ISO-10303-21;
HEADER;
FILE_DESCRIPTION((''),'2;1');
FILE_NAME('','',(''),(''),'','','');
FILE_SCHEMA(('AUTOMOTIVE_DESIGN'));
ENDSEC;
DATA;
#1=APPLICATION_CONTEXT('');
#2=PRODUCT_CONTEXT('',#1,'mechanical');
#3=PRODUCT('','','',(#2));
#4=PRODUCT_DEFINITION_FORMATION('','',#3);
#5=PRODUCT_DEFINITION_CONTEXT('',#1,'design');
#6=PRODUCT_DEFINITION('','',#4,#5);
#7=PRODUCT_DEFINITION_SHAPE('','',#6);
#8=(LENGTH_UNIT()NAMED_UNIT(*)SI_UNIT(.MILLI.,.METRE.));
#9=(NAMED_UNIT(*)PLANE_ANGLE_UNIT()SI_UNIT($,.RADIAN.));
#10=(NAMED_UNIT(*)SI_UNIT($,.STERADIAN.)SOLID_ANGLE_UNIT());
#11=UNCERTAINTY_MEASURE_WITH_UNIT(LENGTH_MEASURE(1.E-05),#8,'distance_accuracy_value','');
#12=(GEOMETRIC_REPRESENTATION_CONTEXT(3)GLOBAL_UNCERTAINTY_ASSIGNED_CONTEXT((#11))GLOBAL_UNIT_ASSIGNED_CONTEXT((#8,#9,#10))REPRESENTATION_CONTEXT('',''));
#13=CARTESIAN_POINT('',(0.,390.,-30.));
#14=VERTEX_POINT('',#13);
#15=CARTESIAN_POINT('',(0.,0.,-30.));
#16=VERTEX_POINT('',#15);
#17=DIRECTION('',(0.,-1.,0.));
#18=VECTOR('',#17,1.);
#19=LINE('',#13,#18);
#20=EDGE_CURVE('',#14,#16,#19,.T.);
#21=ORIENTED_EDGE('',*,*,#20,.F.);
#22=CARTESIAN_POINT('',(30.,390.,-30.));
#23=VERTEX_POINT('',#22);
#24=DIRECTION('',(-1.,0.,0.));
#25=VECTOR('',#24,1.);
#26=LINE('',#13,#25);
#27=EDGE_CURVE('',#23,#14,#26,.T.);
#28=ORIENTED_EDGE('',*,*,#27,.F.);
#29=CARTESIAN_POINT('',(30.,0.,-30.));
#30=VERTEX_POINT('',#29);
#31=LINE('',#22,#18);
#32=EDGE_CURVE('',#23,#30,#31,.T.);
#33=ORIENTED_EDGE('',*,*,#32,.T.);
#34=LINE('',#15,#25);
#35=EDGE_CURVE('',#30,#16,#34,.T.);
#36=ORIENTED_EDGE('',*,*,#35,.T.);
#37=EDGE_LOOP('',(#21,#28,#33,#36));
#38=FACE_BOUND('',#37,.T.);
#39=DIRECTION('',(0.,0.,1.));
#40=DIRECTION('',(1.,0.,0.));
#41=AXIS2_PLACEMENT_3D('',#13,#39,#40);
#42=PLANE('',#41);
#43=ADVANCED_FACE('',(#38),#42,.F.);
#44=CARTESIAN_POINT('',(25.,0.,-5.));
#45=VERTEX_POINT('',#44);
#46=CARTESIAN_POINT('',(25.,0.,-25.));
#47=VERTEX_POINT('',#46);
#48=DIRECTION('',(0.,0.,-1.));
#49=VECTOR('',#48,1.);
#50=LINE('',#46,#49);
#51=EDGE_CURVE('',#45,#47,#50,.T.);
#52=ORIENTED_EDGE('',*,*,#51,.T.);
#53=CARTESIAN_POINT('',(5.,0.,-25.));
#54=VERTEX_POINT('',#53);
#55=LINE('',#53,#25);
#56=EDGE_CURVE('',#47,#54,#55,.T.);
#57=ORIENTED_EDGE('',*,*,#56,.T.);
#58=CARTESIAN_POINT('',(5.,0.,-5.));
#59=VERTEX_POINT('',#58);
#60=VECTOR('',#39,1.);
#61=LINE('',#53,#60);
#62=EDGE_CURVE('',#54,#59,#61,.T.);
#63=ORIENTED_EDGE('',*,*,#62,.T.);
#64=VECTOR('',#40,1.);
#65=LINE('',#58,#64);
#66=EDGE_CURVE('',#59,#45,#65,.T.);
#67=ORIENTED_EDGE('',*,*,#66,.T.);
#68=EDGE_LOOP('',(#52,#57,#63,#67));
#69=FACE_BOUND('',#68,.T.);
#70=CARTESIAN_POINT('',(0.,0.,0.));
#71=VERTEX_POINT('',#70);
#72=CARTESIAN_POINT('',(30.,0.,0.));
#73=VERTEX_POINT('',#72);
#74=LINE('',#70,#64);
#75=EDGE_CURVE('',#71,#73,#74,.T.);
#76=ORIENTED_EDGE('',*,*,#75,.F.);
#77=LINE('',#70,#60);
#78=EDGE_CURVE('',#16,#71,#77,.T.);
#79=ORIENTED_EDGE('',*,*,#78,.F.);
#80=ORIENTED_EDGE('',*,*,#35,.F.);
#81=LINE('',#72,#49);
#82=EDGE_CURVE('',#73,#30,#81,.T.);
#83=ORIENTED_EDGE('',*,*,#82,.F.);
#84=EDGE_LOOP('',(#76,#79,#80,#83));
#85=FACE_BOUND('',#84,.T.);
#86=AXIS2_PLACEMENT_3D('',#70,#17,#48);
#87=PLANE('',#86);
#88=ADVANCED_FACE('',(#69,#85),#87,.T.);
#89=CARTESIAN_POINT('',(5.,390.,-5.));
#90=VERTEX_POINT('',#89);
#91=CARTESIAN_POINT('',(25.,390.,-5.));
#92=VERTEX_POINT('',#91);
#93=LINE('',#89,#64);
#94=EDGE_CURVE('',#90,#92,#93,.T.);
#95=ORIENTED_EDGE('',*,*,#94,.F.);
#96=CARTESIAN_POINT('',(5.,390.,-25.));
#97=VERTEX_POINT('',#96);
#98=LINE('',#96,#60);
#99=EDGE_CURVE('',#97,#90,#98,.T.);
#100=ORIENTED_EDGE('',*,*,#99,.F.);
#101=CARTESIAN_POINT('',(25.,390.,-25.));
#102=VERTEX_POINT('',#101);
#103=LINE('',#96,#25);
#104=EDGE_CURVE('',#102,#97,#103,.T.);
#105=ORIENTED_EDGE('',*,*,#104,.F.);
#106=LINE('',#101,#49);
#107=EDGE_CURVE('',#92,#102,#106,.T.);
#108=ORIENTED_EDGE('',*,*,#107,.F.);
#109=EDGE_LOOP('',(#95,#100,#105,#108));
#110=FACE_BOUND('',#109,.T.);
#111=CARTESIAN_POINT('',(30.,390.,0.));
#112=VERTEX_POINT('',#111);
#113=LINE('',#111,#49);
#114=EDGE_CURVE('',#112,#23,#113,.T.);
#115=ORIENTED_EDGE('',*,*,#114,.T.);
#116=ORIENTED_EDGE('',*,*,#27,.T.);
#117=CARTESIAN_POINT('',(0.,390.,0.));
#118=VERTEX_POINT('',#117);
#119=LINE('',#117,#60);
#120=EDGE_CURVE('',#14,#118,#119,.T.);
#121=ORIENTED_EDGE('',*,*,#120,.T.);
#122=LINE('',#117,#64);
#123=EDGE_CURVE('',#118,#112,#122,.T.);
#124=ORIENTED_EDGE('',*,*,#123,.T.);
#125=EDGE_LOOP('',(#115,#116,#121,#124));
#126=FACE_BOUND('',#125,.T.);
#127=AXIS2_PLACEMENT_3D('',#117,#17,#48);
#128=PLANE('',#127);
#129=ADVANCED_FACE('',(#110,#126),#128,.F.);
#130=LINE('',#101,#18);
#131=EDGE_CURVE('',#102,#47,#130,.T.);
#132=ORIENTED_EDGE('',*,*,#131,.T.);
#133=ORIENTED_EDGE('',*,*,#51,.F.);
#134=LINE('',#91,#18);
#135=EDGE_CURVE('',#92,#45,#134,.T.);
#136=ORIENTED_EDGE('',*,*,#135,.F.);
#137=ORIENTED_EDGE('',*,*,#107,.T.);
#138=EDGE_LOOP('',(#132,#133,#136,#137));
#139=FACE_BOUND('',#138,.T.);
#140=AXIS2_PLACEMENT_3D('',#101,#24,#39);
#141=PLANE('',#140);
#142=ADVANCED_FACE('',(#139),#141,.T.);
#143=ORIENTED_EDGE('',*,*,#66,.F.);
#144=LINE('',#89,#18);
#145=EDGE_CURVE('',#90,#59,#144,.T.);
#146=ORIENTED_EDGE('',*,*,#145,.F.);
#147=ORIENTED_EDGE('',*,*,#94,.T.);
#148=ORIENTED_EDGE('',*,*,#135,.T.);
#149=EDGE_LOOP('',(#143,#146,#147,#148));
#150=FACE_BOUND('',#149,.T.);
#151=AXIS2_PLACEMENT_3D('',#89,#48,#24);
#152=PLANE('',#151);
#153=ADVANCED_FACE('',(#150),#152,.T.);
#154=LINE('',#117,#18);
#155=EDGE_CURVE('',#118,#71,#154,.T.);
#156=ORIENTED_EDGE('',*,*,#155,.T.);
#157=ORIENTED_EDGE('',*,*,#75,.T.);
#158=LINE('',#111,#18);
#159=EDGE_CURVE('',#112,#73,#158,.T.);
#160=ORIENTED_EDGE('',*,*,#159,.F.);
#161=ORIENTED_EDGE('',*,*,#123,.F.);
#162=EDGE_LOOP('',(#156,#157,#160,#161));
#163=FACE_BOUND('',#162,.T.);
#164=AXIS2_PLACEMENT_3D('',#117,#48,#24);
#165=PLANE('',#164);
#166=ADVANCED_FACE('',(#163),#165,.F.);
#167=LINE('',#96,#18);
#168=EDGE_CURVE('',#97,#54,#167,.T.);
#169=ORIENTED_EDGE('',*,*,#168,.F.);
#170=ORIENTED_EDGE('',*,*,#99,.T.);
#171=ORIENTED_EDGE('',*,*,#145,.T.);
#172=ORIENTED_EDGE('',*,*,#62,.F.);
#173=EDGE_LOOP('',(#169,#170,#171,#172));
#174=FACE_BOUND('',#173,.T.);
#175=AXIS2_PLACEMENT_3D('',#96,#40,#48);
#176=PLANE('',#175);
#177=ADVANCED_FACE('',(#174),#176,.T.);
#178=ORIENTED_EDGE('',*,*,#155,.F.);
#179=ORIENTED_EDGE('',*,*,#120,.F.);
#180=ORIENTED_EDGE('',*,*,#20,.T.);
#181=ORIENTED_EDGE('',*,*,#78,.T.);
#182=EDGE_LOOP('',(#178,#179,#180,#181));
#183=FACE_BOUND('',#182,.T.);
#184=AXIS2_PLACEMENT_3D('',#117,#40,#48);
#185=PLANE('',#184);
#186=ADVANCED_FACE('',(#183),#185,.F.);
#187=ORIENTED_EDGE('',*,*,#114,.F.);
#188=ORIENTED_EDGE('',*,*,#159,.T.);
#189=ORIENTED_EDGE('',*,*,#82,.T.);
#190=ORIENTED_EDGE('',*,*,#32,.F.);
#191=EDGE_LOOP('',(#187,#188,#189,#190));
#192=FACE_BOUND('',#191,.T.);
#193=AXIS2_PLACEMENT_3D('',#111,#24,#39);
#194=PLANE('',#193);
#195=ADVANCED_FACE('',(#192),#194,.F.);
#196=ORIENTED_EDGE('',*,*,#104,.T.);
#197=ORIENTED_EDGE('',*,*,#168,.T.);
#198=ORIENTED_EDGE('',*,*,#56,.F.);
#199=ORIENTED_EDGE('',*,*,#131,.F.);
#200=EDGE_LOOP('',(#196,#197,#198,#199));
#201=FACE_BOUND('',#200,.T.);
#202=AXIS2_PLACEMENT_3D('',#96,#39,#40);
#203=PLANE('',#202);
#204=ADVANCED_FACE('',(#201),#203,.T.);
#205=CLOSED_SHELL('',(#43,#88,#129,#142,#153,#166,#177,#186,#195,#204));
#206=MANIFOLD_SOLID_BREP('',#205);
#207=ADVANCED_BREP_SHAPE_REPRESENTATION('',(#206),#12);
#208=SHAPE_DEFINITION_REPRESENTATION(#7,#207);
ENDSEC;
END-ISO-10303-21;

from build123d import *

# Parameters (mm, degrees)
SKETCH1_W           = 30
SKETCH1_H           = 30
SKETCH1_W_2         = 20
SKETCH1_H_2         = 20
BOSS_EXTRUDE1_DEPTH = 390


with BuildPart() as part:
    # Sketch1 → Boss-Extrude1 (new body)
    with BuildSketch(Plane(origin=(0, 0, 0), x_dir=(1, 0, 0), z_dir=(0, 1, 0))):
        with Locations((15, 15)):
            Rectangle(SKETCH1_W, SKETCH1_H)
        with Locations((15, 15)):
            Rectangle(SKETCH1_W_2, SKETCH1_H_2, mode=Mode.SUBTRACT)
    extrude(amount=BOSS_EXTRUDE1_DEPTH)


solid = part.part
